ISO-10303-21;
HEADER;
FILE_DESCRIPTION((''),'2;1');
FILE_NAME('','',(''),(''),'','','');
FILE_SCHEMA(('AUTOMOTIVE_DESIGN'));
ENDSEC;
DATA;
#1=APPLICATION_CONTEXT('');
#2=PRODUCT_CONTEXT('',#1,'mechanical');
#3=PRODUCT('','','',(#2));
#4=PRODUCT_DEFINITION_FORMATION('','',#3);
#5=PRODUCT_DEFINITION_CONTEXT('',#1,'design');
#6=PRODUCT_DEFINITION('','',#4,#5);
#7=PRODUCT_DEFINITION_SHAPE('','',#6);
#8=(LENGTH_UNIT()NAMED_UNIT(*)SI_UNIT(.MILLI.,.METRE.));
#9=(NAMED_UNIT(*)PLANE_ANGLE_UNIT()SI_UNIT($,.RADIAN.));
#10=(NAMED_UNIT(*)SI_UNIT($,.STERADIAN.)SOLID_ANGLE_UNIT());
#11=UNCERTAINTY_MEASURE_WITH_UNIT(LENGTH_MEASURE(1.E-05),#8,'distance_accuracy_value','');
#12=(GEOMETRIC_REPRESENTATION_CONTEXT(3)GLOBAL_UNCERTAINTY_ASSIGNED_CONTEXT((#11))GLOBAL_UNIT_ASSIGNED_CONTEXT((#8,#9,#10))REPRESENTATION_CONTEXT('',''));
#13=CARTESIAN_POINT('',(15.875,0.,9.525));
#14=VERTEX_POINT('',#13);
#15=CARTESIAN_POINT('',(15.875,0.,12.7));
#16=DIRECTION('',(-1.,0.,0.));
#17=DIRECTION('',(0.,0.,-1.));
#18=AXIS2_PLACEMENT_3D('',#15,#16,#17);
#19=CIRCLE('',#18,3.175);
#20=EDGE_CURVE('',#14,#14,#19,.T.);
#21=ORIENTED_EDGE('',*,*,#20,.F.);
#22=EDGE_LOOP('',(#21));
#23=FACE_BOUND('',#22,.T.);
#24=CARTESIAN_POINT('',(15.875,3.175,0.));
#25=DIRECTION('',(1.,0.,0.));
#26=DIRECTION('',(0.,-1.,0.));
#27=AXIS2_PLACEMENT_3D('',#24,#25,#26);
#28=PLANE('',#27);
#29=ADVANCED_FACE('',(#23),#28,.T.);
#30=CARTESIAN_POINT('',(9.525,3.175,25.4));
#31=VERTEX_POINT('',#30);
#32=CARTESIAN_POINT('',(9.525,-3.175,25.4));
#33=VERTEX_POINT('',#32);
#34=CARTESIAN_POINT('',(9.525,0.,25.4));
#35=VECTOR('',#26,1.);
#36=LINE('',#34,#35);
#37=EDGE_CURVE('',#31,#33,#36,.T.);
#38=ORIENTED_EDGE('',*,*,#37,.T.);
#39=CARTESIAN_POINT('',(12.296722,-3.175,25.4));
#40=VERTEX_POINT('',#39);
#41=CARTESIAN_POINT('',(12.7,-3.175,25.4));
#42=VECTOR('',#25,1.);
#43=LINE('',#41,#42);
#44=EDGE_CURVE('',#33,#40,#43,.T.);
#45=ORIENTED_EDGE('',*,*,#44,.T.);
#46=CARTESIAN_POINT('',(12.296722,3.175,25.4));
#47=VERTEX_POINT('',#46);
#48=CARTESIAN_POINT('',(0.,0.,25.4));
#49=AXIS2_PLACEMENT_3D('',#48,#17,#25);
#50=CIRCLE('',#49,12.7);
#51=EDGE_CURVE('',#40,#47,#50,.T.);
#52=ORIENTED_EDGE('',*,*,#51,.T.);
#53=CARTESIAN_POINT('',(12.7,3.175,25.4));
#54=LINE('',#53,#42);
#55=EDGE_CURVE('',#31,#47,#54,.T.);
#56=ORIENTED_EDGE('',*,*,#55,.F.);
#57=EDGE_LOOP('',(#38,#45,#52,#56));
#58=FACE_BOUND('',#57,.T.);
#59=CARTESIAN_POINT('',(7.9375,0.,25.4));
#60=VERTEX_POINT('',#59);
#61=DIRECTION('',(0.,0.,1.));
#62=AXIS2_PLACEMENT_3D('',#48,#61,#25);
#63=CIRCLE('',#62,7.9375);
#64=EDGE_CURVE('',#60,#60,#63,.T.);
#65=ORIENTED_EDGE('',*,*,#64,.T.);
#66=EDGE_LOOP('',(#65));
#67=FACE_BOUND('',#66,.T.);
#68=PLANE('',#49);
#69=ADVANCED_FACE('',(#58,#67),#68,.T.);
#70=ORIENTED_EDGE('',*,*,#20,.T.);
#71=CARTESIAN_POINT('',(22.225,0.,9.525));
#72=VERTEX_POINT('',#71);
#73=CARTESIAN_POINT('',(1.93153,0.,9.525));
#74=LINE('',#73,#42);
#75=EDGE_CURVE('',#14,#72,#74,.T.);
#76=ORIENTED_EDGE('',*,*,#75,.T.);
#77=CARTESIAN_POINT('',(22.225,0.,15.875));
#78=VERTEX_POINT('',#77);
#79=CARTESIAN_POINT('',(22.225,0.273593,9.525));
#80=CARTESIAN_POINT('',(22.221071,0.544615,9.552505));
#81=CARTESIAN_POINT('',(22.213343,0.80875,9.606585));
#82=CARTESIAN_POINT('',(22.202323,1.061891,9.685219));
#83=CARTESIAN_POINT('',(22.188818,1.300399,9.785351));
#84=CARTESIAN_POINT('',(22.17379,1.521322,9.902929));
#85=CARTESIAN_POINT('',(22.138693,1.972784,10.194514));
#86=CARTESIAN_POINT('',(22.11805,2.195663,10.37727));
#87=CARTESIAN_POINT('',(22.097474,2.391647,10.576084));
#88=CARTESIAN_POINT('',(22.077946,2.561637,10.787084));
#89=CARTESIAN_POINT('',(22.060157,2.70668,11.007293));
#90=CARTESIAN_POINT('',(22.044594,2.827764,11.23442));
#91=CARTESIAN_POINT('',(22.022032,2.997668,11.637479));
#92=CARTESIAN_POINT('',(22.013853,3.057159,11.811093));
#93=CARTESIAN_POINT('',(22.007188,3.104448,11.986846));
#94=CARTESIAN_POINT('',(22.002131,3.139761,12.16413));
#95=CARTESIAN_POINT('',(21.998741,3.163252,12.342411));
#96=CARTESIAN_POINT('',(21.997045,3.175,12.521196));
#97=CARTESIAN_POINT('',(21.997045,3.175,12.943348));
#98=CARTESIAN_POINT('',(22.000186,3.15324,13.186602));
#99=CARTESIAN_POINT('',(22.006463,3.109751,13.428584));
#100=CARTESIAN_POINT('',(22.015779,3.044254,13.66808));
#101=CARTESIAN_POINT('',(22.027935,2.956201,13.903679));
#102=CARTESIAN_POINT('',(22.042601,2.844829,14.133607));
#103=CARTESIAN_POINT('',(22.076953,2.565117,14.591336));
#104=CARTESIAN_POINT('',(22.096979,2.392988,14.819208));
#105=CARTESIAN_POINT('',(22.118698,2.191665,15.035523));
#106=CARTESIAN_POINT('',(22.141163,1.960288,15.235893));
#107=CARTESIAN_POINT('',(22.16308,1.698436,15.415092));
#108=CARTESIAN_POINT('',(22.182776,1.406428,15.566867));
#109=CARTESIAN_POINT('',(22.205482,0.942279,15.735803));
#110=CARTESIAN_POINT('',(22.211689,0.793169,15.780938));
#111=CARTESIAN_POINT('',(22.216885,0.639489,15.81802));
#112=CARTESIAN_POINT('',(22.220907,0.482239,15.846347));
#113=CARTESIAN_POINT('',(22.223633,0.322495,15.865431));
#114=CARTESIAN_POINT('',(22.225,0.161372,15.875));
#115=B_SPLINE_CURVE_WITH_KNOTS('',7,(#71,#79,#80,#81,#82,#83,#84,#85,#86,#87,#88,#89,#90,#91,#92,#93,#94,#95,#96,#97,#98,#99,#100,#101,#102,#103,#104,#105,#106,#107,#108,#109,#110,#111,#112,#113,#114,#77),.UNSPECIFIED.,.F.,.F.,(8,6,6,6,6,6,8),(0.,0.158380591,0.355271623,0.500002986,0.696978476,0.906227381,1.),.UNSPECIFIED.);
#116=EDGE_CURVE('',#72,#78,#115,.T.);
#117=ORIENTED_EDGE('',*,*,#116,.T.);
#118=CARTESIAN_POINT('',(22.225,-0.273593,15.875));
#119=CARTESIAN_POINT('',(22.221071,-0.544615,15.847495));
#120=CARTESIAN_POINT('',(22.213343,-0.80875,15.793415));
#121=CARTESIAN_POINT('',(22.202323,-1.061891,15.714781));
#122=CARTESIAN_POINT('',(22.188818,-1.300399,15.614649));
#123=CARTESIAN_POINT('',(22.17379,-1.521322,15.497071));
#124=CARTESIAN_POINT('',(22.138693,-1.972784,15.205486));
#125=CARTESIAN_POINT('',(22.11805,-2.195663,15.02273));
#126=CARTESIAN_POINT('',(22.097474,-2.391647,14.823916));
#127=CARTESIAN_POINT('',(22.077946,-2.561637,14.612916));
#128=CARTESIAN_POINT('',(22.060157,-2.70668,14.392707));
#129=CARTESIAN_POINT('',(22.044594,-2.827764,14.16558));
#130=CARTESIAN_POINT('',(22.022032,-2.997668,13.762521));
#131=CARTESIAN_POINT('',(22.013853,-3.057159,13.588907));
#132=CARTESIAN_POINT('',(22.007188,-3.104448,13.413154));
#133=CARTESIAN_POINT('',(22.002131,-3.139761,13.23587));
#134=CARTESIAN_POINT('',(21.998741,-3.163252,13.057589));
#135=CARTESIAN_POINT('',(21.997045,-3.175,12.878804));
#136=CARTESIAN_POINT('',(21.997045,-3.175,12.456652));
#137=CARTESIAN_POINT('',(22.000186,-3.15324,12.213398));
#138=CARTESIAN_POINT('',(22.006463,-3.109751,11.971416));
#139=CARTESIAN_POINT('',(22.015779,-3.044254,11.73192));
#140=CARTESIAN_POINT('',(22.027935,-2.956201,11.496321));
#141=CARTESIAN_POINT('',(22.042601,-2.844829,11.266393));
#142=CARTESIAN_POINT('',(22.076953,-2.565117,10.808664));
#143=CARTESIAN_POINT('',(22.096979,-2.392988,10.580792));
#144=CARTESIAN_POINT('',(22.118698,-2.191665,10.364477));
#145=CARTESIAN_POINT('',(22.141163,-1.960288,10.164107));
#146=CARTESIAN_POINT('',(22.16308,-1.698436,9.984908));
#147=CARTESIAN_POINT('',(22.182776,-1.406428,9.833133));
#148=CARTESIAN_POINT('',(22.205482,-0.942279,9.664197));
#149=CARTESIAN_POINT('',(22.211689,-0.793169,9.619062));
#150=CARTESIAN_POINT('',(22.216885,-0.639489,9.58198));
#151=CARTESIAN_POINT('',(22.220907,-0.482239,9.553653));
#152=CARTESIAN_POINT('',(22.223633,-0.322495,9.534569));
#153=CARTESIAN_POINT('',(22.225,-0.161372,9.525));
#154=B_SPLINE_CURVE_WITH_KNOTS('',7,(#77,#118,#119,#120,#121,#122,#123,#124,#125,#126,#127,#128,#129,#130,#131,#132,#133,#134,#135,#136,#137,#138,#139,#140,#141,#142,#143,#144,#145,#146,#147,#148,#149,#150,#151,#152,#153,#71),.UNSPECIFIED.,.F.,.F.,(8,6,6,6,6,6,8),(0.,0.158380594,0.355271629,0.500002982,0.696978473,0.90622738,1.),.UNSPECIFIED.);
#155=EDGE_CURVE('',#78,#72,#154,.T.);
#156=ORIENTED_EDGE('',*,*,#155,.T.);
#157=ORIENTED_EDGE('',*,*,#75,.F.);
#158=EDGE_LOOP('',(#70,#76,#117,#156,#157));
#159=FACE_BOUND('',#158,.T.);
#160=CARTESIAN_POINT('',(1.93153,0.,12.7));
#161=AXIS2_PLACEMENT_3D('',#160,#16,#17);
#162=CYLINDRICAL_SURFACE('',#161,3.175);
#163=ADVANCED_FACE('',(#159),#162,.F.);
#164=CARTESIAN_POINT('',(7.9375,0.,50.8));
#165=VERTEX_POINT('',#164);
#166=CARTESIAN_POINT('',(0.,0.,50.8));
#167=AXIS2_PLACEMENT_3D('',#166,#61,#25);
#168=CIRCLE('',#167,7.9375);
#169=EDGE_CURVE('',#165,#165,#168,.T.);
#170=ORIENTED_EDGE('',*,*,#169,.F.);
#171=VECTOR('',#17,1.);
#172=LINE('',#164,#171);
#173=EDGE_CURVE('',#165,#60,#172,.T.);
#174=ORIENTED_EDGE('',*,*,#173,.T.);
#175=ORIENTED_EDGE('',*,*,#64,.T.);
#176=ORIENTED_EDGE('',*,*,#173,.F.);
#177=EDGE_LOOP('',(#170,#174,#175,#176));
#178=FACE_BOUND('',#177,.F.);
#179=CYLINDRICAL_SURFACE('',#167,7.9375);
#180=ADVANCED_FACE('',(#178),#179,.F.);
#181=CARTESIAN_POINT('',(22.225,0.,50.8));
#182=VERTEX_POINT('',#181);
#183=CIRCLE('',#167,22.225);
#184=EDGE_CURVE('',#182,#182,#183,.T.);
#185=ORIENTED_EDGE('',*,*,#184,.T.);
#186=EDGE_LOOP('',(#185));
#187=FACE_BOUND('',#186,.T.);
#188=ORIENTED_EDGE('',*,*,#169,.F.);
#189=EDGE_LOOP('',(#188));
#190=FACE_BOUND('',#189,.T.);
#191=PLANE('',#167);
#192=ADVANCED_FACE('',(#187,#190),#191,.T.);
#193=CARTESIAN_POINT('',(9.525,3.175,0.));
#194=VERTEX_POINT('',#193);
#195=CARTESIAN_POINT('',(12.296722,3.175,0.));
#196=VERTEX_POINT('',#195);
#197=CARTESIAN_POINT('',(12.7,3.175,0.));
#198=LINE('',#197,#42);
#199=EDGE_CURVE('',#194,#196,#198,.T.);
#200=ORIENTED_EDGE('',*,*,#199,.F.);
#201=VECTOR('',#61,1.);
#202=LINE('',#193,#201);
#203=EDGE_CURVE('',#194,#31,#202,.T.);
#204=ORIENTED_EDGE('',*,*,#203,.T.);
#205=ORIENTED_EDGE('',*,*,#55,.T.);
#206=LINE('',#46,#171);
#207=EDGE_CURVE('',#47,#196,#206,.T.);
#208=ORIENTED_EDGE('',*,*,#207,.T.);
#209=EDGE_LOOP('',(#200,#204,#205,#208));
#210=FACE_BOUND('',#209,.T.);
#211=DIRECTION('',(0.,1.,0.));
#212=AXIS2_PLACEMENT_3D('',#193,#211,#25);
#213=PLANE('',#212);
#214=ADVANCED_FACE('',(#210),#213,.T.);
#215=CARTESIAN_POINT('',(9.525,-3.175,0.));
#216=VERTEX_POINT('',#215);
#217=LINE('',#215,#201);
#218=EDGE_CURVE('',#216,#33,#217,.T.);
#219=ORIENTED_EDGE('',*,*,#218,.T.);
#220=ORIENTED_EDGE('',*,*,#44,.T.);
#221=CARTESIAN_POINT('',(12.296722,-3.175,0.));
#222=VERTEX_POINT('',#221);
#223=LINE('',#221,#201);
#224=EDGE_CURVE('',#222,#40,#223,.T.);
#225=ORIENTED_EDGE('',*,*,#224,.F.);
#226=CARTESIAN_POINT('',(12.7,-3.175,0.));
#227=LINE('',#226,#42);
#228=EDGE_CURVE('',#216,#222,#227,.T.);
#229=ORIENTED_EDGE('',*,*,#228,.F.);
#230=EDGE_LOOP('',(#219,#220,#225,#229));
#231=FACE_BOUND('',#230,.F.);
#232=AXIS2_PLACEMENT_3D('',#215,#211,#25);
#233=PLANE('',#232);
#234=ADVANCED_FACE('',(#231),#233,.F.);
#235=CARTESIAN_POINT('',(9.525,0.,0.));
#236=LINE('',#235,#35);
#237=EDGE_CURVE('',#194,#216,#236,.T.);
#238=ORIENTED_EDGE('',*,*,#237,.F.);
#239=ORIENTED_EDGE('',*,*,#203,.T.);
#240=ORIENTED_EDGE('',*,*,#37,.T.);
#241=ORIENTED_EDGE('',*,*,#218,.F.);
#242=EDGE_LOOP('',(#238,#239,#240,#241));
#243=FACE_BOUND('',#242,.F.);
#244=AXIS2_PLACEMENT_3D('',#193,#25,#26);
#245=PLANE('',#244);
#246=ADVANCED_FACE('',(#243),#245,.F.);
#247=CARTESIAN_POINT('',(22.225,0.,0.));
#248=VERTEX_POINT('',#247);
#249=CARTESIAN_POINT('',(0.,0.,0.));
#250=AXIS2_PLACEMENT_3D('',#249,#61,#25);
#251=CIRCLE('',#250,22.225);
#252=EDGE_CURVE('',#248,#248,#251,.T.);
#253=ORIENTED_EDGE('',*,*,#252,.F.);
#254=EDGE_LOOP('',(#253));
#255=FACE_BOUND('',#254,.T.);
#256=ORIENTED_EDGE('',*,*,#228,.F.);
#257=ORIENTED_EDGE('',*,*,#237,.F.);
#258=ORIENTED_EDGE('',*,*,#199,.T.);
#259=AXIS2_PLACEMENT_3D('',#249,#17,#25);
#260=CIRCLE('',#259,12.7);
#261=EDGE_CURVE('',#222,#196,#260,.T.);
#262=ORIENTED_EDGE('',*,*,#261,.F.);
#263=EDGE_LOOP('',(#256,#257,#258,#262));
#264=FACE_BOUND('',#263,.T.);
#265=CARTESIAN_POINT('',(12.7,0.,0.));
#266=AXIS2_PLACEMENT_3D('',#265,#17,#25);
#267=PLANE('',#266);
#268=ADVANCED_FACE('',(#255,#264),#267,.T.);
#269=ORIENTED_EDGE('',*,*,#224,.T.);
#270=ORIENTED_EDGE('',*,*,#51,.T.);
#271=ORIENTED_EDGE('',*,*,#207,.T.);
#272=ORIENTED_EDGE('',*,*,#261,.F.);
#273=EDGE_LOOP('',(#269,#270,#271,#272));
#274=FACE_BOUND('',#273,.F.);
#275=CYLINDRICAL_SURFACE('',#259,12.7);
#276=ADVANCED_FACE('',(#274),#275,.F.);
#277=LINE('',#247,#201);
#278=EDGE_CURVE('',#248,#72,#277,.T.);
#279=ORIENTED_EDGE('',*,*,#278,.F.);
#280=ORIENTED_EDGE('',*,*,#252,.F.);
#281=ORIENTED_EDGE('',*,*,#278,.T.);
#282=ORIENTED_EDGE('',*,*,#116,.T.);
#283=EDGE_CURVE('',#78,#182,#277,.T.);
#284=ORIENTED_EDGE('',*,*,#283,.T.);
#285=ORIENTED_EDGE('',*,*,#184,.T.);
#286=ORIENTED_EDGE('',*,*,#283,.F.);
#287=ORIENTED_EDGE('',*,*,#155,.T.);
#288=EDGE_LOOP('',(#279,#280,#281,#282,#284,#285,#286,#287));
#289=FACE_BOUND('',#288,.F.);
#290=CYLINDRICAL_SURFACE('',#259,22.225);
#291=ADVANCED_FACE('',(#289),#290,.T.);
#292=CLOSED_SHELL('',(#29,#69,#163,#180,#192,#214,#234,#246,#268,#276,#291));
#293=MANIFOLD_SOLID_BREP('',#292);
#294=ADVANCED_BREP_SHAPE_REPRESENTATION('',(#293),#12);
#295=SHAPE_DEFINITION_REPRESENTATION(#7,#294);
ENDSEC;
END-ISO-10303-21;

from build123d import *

# Parameters (mm, degrees)
CYLINDER001_R           = 3.175
CYLINDER001_DEPTH       = 25.4
CYLINDER001_PITCH_ANGLE = 90
CYLINDER_R              = 22.225
CYLINDER_DEPTH          = 50.8
SKETCH_R                = 7.9375
POCKET_DEPTH            = 50.801
SKETCH001_R             = 12.7
POCKET001_DEPTH         = 25.4
SKETCH002_W             = 6.35
SKETCH002_H             = 6.35
PAD_DEPTH               = 25.4


with BuildPart() as cylinder001:
    # Cylinder001 → Cylinder001 (new body)
    with BuildSketch(Plane.XY):
        Circle(CYLINDER001_R)
    extrude(amount=CYLINDER001_DEPTH)


with BuildPart() as cylinder001_1:
    # Cylinder001 pitch: moved
    add(cylinder001.part.rotate(Axis((0, 0, 0), (0, 1, 0)), CYLINDER001_PITCH_ANGLE))


with BuildPart() as cylinder001_2:
    # Cylinder001 placement: moved
    add(cylinder001_1.part.moved(Location((1.93153, 0, 12.7))))


with BuildPart() as f_0_25in_key:
    # Cylinder → Cylinder (new body)
    with BuildSketch(Plane.XY):
        Circle(CYLINDER_R)
    extrude(amount=CYLINDER_DEPTH)

    # Sketch → Pocket (cut, through all)
    with BuildSketch(Plane.XY.offset(50.8)):
        Circle(SKETCH_R)
    extrude(amount=-POCKET_DEPTH, mode=Mode.SUBTRACT)

    # Cut: cut Cylinder001
    add(cylinder001_2.part, mode=Mode.SUBTRACT)

    # Sketch001 → Pocket001 (cut)
    with BuildSketch(Plane(origin=(0, 0, 0), x_dir=(1, 0, 0), z_dir=(0, 0, -1))):
        Circle(SKETCH001_R)
    extrude(amount=-POCKET001_DEPTH, mode=Mode.SUBTRACT)

    # Sketch002 → Pad (new body)
    with BuildSketch(Plane(origin=(0, 0, 0), x_dir=(1, 0, 0), z_dir=(0, 0, -1))):
        with Locations((12.7, 0)):
            Rectangle(SKETCH002_W, SKETCH002_H)
    extrude(amount=-PAD_DEPTH)


solid = f_0_25in_key.part
